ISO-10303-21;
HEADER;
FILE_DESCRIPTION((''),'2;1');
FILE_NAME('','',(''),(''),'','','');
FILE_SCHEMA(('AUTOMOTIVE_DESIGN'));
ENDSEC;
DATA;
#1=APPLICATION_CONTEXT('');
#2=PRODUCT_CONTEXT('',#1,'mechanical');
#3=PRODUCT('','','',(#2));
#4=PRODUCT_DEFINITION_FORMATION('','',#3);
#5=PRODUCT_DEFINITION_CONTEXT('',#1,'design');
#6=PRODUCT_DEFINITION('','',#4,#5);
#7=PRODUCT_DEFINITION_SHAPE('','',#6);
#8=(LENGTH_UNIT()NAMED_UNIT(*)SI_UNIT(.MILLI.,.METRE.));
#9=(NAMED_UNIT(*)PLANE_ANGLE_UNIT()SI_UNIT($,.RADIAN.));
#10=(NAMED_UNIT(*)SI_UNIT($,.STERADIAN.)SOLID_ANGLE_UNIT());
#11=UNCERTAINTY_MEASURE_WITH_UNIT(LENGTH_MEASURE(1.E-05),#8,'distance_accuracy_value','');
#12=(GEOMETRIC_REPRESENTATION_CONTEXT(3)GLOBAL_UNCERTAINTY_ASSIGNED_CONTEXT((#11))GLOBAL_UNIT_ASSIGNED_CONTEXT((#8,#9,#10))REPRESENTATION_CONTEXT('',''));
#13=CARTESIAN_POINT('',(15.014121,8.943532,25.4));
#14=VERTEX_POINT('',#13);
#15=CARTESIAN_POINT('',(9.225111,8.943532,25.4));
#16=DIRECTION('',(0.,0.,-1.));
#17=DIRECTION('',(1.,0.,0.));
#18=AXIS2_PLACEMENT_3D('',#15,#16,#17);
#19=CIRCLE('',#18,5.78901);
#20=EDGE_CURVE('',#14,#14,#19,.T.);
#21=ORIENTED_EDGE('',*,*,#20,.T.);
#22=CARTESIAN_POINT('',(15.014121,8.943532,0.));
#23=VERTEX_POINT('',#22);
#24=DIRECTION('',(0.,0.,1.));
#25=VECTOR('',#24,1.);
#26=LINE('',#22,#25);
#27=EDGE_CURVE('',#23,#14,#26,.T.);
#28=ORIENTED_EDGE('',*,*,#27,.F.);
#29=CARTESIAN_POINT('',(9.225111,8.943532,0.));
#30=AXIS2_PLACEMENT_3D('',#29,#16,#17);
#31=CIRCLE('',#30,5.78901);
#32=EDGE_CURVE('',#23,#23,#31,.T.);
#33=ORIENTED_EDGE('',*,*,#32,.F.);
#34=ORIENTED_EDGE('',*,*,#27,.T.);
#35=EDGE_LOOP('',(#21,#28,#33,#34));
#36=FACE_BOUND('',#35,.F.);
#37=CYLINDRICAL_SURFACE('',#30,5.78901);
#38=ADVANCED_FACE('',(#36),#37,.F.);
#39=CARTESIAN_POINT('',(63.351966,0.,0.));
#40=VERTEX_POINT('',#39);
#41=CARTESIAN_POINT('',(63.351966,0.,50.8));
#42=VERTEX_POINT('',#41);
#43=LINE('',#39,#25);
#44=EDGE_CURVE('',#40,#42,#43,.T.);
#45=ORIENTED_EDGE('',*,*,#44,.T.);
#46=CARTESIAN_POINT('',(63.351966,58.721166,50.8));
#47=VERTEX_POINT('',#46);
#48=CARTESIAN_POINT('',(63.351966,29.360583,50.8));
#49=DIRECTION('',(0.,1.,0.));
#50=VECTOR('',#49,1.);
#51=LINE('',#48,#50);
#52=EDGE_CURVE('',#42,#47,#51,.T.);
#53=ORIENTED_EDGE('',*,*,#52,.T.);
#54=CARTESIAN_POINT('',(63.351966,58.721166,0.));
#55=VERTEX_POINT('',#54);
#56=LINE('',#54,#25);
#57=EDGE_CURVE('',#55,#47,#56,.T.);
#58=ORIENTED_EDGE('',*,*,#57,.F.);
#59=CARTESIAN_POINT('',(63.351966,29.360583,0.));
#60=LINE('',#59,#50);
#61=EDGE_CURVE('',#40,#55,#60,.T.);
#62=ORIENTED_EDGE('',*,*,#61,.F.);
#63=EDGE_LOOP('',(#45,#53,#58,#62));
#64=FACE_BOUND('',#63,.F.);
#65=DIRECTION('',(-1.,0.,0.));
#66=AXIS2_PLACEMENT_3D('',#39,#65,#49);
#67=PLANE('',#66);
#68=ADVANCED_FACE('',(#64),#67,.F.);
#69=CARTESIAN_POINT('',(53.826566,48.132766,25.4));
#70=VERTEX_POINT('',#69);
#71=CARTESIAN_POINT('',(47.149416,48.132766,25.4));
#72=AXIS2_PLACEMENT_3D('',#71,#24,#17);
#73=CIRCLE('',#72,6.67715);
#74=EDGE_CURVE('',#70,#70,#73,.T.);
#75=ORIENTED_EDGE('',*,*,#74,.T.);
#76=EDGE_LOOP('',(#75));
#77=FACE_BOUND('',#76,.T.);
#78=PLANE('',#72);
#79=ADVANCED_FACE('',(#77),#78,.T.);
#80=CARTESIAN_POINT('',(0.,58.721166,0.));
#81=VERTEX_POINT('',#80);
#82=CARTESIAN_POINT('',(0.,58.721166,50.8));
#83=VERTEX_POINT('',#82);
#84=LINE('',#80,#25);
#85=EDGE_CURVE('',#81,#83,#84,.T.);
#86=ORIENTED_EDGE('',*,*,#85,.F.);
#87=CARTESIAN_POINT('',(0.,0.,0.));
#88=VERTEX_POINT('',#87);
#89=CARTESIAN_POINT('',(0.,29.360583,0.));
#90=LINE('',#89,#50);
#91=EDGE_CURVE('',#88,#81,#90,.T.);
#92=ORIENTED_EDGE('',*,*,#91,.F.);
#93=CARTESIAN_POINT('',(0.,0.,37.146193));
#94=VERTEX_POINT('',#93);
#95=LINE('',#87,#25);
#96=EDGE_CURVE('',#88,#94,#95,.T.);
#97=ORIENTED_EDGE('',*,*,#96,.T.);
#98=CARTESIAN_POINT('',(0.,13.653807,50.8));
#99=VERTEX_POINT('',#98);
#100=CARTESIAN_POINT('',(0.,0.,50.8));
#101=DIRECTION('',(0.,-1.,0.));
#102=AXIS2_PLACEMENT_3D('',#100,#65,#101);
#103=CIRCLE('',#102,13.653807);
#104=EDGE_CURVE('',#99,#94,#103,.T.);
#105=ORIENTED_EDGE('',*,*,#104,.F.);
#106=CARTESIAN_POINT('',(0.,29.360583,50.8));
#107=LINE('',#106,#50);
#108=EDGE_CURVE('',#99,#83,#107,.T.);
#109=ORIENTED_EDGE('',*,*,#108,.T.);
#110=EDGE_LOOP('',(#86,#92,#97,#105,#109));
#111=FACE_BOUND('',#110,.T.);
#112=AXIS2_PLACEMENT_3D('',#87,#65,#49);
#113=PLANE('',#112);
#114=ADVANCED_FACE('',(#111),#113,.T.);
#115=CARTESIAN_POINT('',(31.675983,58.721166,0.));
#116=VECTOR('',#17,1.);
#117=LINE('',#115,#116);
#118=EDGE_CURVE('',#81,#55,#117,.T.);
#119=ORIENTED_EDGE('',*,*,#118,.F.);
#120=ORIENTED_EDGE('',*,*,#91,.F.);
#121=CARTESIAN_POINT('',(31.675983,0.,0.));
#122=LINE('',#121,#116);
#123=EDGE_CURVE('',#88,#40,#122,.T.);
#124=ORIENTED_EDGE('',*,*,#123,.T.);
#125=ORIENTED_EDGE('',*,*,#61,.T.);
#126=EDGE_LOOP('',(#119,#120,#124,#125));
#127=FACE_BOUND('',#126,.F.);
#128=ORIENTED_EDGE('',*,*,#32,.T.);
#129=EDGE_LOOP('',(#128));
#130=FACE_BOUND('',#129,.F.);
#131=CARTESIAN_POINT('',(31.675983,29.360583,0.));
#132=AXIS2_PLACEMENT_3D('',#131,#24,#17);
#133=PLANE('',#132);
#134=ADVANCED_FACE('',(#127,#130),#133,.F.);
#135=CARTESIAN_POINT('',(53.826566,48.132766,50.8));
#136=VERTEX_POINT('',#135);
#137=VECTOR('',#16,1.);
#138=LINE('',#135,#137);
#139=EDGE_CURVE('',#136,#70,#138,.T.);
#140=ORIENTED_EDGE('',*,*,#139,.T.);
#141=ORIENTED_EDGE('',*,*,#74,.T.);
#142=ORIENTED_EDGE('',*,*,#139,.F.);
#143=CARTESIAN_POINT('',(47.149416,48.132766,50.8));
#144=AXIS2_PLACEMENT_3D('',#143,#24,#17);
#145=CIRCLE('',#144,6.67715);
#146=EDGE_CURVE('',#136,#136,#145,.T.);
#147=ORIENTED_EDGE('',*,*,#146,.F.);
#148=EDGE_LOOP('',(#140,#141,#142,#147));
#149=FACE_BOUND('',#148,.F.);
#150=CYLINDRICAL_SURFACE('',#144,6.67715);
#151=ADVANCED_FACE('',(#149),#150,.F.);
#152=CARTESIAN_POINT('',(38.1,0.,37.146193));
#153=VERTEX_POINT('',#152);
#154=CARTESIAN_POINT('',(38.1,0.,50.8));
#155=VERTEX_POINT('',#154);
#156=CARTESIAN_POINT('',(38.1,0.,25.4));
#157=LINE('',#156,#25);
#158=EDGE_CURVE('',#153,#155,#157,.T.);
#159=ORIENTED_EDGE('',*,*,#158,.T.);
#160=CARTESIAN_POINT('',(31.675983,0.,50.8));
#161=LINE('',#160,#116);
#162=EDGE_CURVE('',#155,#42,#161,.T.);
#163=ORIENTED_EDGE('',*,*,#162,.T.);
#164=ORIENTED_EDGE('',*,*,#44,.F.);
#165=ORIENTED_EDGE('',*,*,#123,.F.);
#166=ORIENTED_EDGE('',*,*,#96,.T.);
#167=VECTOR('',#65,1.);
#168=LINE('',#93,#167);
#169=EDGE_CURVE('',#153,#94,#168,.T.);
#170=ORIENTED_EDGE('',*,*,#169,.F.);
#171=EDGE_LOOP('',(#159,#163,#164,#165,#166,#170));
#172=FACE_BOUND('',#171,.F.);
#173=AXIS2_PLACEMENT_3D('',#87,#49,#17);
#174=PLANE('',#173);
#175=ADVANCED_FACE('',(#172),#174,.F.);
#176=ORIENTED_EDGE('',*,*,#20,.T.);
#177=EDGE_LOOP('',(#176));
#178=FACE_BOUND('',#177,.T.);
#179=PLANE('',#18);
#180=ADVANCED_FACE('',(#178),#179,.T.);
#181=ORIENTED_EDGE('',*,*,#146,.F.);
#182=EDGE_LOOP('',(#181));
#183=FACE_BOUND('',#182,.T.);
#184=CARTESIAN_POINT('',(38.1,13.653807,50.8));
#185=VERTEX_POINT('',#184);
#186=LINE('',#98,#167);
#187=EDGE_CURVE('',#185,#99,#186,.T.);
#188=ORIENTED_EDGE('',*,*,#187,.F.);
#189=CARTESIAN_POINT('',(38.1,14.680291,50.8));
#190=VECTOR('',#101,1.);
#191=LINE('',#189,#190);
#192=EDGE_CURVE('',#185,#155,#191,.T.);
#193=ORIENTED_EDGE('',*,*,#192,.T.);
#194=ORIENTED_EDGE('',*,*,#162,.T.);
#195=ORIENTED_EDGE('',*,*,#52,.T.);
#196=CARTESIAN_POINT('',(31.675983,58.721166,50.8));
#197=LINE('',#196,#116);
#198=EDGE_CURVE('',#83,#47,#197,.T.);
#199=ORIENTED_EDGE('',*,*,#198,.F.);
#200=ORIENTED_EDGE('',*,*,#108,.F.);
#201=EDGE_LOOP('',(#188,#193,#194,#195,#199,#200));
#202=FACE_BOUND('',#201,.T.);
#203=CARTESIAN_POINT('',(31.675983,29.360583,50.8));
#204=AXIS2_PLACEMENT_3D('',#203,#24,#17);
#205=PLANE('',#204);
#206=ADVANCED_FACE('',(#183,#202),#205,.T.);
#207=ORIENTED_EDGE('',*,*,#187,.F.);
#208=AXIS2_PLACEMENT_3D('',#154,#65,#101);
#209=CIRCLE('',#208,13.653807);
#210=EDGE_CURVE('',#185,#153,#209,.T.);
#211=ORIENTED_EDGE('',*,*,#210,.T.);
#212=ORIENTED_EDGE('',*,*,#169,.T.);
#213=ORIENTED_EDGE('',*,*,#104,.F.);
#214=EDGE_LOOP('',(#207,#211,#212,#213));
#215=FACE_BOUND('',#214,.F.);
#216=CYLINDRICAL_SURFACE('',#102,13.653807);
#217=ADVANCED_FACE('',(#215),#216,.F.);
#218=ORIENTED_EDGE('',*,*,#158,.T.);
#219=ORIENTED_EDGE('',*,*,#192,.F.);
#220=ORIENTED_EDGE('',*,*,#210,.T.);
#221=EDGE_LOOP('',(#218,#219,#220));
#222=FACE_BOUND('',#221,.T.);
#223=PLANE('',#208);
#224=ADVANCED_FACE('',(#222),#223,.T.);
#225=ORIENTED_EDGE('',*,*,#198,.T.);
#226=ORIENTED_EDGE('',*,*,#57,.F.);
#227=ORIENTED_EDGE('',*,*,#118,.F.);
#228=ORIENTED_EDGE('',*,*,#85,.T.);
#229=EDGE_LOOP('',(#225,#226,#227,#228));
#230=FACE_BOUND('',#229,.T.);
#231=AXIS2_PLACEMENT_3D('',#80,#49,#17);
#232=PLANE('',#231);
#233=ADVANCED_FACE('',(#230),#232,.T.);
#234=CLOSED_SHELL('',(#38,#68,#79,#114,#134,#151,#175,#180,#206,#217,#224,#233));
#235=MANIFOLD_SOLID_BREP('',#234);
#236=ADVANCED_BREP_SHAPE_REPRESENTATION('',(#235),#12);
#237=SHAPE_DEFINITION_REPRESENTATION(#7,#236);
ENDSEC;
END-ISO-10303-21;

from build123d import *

# Parameters (mm, degrees)
F0_W     = 63.351966
F0_H     = 58.721166
F1_DEPTH = 50.8
F2_R     = 6.67715
F3_DEPTH = 25.4
F4_R     = 5.78901
F5_DEPTH = 25.4
F6_R     = 13.653807
F7_DEPTH = 38.1


with BuildPart() as f1:
    # F0 (on Top) → F1 (new body)
    with BuildSketch(Plane.XY):
        with Locations((31.675983, 29.360583)):
            Rectangle(F0_W, F0_H)
    extrude(amount=F1_DEPTH)

    # F2 (on face) → F3 (cut)
    with BuildSketch(Plane.XY.offset(50.8)):
        with Locations((47.149416, 48.132766)):
            Circle(F2_R)
    extrude(amount=-F3_DEPTH, mode=Mode.SUBTRACT)

    # F4 (on face) → F5 (cut)
    with BuildSketch(Plane(origin=(0, 0, 0), x_dir=(1, 0, 0), z_dir=(0, 0, -1))):
        with Locations((9.225111, -8.943532)):
            Circle(F4_R)
    extrude(amount=-F5_DEPTH, mode=Mode.SUBTRACT)

    # F6 (on face) → F7 (cut)
    with BuildSketch(Plane(origin=(0, 0, 0), x_dir=(0, -1, 0), z_dir=(-1, 0, 0))):
        with Locations((0, 50.8)):
            Circle(F6_R)
    extrude(amount=-F7_DEPTH, mode=Mode.SUBTRACT)


solid = f1.part
